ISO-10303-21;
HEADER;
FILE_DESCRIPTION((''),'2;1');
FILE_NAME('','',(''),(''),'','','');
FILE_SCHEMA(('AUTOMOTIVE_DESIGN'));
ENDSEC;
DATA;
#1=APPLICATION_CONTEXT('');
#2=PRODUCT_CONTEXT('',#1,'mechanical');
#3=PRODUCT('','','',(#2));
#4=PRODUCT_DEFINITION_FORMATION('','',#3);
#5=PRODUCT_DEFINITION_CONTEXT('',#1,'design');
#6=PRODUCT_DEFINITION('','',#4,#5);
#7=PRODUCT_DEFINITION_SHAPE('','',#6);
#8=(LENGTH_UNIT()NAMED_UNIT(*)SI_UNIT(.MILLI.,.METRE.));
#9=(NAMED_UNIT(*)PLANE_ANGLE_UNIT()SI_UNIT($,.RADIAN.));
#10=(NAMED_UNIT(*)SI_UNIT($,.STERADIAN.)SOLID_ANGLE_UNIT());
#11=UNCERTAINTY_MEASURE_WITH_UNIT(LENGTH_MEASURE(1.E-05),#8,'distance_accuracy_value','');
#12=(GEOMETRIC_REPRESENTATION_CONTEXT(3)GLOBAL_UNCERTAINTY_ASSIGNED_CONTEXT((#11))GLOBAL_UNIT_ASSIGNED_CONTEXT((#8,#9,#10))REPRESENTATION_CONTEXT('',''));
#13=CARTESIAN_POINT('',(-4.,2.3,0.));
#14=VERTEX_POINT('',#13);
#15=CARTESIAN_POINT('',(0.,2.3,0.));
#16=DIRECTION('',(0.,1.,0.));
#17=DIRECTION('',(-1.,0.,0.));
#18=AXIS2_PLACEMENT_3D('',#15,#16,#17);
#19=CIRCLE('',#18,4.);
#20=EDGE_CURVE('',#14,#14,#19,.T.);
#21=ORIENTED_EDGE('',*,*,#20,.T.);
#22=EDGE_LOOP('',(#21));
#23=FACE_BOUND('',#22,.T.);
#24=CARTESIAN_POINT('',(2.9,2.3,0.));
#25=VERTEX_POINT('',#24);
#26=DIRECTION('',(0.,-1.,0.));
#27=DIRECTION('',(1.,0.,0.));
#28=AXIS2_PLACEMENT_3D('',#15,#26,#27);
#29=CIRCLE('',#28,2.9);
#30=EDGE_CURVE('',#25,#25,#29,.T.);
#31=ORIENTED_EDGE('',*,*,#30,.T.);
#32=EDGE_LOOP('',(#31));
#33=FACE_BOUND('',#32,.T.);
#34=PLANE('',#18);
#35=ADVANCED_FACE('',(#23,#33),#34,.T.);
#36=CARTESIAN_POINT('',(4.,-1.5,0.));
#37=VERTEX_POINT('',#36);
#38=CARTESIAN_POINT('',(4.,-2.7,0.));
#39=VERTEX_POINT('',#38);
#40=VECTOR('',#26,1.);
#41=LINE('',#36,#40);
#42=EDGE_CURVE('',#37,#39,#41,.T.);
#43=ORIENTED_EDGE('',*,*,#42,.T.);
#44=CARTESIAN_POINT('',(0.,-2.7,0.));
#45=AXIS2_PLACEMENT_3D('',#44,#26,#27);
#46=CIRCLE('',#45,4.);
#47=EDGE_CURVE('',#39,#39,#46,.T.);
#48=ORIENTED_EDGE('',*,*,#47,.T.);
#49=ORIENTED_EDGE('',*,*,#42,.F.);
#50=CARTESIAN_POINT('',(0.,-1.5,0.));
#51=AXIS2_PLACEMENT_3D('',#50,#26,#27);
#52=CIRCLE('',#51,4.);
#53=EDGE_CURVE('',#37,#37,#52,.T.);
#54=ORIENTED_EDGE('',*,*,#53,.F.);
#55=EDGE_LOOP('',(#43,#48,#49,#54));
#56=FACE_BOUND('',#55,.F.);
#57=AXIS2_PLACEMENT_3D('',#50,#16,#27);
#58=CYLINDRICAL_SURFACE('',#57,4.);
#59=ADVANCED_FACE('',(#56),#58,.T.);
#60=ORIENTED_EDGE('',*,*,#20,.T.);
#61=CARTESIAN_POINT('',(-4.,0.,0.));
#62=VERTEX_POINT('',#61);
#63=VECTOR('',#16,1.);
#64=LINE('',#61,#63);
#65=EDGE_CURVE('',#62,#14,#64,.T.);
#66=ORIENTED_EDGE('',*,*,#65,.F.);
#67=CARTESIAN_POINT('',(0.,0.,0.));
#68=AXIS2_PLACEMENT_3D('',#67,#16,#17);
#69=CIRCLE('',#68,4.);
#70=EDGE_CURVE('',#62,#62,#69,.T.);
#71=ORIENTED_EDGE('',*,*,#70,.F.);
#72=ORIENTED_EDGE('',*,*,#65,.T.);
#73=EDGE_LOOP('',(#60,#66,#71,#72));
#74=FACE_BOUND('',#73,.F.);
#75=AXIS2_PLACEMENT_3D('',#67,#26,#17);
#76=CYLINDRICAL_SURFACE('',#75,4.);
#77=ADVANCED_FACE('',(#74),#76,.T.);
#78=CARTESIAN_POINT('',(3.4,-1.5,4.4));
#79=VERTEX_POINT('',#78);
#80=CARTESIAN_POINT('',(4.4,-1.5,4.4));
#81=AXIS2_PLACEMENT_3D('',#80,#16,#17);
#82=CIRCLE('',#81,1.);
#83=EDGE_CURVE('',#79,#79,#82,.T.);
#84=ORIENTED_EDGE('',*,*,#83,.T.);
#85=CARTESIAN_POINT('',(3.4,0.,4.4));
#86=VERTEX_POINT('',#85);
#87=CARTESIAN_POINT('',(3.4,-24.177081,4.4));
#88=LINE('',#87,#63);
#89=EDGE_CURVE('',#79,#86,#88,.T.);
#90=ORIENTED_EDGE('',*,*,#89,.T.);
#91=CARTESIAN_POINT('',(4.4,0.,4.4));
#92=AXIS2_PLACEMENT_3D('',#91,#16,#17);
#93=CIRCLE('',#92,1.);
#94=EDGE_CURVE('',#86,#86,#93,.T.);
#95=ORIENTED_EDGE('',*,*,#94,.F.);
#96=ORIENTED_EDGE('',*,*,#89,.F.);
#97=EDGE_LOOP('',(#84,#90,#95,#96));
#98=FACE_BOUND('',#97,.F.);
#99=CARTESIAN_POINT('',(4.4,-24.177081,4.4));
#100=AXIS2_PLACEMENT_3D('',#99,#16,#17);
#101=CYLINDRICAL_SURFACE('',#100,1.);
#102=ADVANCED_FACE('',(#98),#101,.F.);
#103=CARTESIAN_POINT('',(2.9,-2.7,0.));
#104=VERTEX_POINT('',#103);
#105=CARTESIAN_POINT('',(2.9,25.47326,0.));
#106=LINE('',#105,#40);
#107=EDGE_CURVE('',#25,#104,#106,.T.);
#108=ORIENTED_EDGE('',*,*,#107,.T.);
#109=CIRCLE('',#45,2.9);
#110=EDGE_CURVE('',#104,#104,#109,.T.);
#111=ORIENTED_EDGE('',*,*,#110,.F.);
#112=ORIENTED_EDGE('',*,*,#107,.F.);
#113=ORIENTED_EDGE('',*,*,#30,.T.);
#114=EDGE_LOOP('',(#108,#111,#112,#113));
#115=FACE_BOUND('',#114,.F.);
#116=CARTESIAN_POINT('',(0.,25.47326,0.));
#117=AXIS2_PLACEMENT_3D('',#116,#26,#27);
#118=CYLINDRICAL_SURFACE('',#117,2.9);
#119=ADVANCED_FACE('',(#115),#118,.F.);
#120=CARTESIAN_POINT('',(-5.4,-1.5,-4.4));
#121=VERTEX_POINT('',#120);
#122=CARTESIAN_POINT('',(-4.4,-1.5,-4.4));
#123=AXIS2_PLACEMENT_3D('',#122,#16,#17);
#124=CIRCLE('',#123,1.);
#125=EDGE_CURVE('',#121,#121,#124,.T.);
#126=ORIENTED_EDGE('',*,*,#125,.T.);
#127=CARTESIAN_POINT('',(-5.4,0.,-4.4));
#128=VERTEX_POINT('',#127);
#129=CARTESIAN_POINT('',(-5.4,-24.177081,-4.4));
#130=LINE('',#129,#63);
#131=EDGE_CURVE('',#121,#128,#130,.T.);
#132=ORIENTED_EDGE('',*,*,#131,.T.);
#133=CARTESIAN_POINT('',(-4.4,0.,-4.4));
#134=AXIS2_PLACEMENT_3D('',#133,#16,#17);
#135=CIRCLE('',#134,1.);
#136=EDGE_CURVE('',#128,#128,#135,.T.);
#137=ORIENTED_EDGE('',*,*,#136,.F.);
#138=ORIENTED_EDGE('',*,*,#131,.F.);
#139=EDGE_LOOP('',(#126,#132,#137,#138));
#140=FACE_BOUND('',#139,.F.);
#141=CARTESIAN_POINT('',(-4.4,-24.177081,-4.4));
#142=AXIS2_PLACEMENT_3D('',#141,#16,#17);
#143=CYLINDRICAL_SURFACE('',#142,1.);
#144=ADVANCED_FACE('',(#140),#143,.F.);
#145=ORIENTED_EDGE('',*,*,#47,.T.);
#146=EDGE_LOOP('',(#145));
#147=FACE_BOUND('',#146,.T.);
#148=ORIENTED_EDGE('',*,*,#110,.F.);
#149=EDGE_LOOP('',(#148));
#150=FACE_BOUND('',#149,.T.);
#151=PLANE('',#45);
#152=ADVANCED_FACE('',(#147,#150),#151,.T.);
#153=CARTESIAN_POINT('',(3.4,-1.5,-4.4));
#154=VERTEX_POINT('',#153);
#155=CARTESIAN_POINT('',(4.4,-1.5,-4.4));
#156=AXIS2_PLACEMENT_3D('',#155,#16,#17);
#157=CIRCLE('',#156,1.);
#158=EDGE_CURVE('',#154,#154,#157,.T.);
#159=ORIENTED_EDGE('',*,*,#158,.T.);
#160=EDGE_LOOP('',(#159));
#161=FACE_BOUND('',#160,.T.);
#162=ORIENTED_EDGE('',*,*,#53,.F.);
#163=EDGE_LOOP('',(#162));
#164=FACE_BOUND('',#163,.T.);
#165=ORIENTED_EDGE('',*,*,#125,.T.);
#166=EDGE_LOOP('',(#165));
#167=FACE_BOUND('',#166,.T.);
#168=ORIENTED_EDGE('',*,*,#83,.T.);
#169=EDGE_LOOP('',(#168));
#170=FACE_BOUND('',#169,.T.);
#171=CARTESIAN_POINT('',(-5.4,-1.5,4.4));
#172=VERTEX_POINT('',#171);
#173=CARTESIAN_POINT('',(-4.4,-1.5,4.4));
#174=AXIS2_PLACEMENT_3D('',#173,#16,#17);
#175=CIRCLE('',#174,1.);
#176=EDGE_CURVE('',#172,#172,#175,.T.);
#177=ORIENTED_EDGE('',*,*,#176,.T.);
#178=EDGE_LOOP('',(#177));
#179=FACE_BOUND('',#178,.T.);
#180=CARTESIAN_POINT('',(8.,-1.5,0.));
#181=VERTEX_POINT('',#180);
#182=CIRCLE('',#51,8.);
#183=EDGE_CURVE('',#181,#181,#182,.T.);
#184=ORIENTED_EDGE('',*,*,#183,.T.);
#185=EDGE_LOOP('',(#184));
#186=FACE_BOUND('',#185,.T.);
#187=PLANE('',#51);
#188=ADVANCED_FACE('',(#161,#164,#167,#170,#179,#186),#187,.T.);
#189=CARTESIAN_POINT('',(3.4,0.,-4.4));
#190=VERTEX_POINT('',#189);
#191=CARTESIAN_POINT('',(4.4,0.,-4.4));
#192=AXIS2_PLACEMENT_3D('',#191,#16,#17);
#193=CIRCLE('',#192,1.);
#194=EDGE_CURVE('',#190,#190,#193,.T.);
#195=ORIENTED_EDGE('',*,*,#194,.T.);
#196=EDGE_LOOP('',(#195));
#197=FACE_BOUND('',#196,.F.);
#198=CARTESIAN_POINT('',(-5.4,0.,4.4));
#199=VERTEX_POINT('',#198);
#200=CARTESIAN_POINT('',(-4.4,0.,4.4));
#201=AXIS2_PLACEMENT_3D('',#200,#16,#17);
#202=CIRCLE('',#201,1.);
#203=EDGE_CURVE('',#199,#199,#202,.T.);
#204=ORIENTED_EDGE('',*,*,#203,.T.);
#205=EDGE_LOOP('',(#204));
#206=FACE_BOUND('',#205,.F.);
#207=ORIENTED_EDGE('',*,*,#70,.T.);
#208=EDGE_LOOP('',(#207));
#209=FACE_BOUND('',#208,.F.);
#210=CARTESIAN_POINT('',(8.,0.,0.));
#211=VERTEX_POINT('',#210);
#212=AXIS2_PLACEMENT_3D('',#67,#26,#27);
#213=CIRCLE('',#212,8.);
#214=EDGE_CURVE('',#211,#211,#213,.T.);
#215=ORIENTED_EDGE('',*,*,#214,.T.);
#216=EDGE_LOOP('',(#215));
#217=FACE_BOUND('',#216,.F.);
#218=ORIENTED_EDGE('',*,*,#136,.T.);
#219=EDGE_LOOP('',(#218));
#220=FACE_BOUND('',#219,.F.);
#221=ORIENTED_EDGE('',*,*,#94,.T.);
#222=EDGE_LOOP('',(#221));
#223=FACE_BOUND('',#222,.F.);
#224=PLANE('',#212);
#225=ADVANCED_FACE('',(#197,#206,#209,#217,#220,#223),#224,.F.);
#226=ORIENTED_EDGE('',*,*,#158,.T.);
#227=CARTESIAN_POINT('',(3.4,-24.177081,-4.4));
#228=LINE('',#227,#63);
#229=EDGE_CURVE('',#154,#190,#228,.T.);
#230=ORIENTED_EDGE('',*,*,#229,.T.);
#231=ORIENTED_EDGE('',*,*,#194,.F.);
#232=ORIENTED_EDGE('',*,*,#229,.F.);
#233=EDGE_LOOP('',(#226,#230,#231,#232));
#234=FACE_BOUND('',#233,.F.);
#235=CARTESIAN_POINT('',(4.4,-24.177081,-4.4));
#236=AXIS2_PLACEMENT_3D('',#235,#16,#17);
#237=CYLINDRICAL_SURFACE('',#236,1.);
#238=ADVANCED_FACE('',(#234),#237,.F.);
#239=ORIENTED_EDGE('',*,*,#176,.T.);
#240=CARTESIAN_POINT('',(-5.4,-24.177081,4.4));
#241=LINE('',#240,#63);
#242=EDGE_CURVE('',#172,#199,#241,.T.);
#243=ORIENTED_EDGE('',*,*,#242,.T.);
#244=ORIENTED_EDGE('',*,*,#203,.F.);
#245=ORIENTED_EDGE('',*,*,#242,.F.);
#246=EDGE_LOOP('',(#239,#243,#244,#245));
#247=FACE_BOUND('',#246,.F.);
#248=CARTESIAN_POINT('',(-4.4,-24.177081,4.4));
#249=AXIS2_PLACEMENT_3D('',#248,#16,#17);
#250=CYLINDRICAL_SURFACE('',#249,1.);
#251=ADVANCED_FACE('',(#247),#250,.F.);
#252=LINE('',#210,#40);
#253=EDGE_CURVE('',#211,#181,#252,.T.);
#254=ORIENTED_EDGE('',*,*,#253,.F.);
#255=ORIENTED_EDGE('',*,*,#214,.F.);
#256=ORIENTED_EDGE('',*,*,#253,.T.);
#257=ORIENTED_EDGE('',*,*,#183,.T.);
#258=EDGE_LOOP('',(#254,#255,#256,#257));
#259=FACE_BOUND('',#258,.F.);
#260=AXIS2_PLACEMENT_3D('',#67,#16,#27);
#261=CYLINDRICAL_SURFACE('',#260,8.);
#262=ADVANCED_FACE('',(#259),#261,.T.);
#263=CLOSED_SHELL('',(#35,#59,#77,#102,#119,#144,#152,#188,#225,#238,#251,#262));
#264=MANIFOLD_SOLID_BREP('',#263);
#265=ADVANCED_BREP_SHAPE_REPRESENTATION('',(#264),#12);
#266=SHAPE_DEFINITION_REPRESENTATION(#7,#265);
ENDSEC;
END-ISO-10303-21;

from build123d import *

# Parameters (mm, degrees)
F0_R     = 8
F1_DEPTH = 1.5
F3_D     = 2
F4_R     = 4
F5_DEPTH = 1.2
F6_R     = 4
F7_DEPTH = 2.3
F9_D     = 5.8


with BuildPart() as f1:
    # F0 (on Front) → F1 (new body)
    with BuildSketch(Plane.XZ):
        Circle(F0_R)
    extrude(amount=F1_DEPTH)

    # F3 (through all)
    with Locations(Plane.XZ.offset(1.5)):
        with Locations((-4.4, 4.4), (4.4, 4.4), (4.4, -4.4), (-4.4, -4.4)):
            Hole(F3_D / 2)

    # F4 (on face) → F5 (join)
    with BuildSketch(Plane.XZ.offset(1.5)):
        Circle(F4_R)
    extrude(amount=F5_DEPTH)

    # F6 (on face) → F7 (join)
    with BuildSketch(Plane(origin=(0, 0, 0), x_dir=(-1, 0, 0), z_dir=(0, 1, 0))):
        Circle(F6_R)
    extrude(amount=F7_DEPTH)

    # F9 (through all)
    with Locations(Plane(origin=(0, 2.3, 0), x_dir=(-1, 0, 0), z_dir=(0, 1, 0))):
        with Locations((0, 0)):
            Hole(F9_D / 2)


solid = f1.part
